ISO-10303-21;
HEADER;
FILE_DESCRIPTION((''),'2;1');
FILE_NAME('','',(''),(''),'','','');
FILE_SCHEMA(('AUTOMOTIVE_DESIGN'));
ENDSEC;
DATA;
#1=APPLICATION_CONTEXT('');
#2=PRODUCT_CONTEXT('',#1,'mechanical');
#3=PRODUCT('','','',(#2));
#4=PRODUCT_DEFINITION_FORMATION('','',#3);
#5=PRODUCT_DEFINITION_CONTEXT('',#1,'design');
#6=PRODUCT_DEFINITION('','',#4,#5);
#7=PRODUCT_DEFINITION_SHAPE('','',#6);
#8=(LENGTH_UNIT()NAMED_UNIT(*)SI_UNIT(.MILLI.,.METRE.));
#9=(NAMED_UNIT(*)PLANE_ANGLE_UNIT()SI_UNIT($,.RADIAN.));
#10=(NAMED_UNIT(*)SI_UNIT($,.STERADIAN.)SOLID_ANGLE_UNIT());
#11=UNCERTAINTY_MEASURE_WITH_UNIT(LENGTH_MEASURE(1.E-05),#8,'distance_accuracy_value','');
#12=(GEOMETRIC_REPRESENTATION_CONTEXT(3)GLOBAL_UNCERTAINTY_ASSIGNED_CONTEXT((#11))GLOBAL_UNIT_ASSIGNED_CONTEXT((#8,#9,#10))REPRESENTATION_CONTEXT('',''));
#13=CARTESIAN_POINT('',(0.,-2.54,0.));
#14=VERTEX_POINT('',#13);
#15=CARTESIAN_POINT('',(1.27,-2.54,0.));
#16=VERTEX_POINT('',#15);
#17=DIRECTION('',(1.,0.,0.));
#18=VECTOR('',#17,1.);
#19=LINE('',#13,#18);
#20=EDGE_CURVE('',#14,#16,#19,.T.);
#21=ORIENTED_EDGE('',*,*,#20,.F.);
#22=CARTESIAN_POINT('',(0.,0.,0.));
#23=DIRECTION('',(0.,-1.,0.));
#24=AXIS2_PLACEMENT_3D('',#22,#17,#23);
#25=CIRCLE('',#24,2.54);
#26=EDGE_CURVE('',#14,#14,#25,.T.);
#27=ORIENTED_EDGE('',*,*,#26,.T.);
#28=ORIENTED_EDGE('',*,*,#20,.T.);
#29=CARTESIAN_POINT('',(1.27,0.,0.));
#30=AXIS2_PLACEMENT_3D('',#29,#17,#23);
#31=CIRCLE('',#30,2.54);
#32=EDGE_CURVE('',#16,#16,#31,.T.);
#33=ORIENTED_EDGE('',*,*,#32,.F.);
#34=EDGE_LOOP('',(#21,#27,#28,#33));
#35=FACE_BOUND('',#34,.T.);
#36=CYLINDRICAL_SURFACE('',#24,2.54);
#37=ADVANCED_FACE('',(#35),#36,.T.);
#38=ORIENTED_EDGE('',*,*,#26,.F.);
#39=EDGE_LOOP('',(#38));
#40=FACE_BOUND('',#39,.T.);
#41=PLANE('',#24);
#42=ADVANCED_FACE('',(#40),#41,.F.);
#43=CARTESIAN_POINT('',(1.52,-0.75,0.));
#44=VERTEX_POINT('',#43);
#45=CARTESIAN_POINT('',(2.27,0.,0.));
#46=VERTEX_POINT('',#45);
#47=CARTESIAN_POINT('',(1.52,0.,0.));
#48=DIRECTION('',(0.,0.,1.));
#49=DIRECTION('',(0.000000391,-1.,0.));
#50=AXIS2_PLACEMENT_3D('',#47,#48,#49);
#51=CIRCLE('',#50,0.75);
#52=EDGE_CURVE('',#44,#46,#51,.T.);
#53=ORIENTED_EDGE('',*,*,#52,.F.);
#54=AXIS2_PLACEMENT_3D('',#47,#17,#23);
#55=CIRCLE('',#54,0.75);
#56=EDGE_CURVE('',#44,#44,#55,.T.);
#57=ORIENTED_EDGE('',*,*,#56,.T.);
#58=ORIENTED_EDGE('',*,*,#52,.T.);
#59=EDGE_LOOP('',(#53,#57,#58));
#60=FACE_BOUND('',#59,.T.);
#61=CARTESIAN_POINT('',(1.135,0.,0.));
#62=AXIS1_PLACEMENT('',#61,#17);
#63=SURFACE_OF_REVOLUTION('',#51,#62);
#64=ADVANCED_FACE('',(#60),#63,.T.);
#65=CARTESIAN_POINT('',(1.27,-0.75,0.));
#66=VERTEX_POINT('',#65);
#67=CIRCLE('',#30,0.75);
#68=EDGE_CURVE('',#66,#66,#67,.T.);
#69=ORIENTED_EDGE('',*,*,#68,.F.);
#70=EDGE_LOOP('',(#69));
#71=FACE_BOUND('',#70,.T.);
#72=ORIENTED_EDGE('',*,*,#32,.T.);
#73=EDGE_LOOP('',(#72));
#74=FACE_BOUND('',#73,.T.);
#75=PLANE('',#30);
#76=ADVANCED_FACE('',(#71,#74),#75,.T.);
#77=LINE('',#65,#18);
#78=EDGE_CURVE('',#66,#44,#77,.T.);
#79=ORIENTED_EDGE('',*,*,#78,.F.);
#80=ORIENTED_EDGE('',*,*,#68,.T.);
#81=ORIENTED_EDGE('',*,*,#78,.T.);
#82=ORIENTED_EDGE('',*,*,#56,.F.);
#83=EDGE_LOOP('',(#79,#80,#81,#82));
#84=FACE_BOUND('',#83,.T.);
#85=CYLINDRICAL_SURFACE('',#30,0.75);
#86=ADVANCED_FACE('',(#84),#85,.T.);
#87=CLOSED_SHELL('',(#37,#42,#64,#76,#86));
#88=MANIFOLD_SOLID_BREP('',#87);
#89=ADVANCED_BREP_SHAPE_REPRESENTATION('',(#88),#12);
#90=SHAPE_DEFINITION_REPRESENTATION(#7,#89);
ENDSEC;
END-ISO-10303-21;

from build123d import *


with BuildPart() as f1:
    # F0 (on Top) → F1 (revolve)
    with BuildSketch(Plane.XY):
        with BuildLine():
            Line((0, 0), (0, -2.54))
            Line((0, -2.54), (1.27, -2.54))
            Line((1.27, -2.54), (1.27, -0.75))
            Line((1.27, -0.75), (1.52, -0.75))
            ThreePointArc((1.52, -0.75), (2.05033, -0.53033), (2.27, 0))
            Line((2.27, 0), (0, 0))
        make_face()
    revolve(axis=Axis((1.135, 0, 0), (1, 0, 0)))


solid = f1.part
